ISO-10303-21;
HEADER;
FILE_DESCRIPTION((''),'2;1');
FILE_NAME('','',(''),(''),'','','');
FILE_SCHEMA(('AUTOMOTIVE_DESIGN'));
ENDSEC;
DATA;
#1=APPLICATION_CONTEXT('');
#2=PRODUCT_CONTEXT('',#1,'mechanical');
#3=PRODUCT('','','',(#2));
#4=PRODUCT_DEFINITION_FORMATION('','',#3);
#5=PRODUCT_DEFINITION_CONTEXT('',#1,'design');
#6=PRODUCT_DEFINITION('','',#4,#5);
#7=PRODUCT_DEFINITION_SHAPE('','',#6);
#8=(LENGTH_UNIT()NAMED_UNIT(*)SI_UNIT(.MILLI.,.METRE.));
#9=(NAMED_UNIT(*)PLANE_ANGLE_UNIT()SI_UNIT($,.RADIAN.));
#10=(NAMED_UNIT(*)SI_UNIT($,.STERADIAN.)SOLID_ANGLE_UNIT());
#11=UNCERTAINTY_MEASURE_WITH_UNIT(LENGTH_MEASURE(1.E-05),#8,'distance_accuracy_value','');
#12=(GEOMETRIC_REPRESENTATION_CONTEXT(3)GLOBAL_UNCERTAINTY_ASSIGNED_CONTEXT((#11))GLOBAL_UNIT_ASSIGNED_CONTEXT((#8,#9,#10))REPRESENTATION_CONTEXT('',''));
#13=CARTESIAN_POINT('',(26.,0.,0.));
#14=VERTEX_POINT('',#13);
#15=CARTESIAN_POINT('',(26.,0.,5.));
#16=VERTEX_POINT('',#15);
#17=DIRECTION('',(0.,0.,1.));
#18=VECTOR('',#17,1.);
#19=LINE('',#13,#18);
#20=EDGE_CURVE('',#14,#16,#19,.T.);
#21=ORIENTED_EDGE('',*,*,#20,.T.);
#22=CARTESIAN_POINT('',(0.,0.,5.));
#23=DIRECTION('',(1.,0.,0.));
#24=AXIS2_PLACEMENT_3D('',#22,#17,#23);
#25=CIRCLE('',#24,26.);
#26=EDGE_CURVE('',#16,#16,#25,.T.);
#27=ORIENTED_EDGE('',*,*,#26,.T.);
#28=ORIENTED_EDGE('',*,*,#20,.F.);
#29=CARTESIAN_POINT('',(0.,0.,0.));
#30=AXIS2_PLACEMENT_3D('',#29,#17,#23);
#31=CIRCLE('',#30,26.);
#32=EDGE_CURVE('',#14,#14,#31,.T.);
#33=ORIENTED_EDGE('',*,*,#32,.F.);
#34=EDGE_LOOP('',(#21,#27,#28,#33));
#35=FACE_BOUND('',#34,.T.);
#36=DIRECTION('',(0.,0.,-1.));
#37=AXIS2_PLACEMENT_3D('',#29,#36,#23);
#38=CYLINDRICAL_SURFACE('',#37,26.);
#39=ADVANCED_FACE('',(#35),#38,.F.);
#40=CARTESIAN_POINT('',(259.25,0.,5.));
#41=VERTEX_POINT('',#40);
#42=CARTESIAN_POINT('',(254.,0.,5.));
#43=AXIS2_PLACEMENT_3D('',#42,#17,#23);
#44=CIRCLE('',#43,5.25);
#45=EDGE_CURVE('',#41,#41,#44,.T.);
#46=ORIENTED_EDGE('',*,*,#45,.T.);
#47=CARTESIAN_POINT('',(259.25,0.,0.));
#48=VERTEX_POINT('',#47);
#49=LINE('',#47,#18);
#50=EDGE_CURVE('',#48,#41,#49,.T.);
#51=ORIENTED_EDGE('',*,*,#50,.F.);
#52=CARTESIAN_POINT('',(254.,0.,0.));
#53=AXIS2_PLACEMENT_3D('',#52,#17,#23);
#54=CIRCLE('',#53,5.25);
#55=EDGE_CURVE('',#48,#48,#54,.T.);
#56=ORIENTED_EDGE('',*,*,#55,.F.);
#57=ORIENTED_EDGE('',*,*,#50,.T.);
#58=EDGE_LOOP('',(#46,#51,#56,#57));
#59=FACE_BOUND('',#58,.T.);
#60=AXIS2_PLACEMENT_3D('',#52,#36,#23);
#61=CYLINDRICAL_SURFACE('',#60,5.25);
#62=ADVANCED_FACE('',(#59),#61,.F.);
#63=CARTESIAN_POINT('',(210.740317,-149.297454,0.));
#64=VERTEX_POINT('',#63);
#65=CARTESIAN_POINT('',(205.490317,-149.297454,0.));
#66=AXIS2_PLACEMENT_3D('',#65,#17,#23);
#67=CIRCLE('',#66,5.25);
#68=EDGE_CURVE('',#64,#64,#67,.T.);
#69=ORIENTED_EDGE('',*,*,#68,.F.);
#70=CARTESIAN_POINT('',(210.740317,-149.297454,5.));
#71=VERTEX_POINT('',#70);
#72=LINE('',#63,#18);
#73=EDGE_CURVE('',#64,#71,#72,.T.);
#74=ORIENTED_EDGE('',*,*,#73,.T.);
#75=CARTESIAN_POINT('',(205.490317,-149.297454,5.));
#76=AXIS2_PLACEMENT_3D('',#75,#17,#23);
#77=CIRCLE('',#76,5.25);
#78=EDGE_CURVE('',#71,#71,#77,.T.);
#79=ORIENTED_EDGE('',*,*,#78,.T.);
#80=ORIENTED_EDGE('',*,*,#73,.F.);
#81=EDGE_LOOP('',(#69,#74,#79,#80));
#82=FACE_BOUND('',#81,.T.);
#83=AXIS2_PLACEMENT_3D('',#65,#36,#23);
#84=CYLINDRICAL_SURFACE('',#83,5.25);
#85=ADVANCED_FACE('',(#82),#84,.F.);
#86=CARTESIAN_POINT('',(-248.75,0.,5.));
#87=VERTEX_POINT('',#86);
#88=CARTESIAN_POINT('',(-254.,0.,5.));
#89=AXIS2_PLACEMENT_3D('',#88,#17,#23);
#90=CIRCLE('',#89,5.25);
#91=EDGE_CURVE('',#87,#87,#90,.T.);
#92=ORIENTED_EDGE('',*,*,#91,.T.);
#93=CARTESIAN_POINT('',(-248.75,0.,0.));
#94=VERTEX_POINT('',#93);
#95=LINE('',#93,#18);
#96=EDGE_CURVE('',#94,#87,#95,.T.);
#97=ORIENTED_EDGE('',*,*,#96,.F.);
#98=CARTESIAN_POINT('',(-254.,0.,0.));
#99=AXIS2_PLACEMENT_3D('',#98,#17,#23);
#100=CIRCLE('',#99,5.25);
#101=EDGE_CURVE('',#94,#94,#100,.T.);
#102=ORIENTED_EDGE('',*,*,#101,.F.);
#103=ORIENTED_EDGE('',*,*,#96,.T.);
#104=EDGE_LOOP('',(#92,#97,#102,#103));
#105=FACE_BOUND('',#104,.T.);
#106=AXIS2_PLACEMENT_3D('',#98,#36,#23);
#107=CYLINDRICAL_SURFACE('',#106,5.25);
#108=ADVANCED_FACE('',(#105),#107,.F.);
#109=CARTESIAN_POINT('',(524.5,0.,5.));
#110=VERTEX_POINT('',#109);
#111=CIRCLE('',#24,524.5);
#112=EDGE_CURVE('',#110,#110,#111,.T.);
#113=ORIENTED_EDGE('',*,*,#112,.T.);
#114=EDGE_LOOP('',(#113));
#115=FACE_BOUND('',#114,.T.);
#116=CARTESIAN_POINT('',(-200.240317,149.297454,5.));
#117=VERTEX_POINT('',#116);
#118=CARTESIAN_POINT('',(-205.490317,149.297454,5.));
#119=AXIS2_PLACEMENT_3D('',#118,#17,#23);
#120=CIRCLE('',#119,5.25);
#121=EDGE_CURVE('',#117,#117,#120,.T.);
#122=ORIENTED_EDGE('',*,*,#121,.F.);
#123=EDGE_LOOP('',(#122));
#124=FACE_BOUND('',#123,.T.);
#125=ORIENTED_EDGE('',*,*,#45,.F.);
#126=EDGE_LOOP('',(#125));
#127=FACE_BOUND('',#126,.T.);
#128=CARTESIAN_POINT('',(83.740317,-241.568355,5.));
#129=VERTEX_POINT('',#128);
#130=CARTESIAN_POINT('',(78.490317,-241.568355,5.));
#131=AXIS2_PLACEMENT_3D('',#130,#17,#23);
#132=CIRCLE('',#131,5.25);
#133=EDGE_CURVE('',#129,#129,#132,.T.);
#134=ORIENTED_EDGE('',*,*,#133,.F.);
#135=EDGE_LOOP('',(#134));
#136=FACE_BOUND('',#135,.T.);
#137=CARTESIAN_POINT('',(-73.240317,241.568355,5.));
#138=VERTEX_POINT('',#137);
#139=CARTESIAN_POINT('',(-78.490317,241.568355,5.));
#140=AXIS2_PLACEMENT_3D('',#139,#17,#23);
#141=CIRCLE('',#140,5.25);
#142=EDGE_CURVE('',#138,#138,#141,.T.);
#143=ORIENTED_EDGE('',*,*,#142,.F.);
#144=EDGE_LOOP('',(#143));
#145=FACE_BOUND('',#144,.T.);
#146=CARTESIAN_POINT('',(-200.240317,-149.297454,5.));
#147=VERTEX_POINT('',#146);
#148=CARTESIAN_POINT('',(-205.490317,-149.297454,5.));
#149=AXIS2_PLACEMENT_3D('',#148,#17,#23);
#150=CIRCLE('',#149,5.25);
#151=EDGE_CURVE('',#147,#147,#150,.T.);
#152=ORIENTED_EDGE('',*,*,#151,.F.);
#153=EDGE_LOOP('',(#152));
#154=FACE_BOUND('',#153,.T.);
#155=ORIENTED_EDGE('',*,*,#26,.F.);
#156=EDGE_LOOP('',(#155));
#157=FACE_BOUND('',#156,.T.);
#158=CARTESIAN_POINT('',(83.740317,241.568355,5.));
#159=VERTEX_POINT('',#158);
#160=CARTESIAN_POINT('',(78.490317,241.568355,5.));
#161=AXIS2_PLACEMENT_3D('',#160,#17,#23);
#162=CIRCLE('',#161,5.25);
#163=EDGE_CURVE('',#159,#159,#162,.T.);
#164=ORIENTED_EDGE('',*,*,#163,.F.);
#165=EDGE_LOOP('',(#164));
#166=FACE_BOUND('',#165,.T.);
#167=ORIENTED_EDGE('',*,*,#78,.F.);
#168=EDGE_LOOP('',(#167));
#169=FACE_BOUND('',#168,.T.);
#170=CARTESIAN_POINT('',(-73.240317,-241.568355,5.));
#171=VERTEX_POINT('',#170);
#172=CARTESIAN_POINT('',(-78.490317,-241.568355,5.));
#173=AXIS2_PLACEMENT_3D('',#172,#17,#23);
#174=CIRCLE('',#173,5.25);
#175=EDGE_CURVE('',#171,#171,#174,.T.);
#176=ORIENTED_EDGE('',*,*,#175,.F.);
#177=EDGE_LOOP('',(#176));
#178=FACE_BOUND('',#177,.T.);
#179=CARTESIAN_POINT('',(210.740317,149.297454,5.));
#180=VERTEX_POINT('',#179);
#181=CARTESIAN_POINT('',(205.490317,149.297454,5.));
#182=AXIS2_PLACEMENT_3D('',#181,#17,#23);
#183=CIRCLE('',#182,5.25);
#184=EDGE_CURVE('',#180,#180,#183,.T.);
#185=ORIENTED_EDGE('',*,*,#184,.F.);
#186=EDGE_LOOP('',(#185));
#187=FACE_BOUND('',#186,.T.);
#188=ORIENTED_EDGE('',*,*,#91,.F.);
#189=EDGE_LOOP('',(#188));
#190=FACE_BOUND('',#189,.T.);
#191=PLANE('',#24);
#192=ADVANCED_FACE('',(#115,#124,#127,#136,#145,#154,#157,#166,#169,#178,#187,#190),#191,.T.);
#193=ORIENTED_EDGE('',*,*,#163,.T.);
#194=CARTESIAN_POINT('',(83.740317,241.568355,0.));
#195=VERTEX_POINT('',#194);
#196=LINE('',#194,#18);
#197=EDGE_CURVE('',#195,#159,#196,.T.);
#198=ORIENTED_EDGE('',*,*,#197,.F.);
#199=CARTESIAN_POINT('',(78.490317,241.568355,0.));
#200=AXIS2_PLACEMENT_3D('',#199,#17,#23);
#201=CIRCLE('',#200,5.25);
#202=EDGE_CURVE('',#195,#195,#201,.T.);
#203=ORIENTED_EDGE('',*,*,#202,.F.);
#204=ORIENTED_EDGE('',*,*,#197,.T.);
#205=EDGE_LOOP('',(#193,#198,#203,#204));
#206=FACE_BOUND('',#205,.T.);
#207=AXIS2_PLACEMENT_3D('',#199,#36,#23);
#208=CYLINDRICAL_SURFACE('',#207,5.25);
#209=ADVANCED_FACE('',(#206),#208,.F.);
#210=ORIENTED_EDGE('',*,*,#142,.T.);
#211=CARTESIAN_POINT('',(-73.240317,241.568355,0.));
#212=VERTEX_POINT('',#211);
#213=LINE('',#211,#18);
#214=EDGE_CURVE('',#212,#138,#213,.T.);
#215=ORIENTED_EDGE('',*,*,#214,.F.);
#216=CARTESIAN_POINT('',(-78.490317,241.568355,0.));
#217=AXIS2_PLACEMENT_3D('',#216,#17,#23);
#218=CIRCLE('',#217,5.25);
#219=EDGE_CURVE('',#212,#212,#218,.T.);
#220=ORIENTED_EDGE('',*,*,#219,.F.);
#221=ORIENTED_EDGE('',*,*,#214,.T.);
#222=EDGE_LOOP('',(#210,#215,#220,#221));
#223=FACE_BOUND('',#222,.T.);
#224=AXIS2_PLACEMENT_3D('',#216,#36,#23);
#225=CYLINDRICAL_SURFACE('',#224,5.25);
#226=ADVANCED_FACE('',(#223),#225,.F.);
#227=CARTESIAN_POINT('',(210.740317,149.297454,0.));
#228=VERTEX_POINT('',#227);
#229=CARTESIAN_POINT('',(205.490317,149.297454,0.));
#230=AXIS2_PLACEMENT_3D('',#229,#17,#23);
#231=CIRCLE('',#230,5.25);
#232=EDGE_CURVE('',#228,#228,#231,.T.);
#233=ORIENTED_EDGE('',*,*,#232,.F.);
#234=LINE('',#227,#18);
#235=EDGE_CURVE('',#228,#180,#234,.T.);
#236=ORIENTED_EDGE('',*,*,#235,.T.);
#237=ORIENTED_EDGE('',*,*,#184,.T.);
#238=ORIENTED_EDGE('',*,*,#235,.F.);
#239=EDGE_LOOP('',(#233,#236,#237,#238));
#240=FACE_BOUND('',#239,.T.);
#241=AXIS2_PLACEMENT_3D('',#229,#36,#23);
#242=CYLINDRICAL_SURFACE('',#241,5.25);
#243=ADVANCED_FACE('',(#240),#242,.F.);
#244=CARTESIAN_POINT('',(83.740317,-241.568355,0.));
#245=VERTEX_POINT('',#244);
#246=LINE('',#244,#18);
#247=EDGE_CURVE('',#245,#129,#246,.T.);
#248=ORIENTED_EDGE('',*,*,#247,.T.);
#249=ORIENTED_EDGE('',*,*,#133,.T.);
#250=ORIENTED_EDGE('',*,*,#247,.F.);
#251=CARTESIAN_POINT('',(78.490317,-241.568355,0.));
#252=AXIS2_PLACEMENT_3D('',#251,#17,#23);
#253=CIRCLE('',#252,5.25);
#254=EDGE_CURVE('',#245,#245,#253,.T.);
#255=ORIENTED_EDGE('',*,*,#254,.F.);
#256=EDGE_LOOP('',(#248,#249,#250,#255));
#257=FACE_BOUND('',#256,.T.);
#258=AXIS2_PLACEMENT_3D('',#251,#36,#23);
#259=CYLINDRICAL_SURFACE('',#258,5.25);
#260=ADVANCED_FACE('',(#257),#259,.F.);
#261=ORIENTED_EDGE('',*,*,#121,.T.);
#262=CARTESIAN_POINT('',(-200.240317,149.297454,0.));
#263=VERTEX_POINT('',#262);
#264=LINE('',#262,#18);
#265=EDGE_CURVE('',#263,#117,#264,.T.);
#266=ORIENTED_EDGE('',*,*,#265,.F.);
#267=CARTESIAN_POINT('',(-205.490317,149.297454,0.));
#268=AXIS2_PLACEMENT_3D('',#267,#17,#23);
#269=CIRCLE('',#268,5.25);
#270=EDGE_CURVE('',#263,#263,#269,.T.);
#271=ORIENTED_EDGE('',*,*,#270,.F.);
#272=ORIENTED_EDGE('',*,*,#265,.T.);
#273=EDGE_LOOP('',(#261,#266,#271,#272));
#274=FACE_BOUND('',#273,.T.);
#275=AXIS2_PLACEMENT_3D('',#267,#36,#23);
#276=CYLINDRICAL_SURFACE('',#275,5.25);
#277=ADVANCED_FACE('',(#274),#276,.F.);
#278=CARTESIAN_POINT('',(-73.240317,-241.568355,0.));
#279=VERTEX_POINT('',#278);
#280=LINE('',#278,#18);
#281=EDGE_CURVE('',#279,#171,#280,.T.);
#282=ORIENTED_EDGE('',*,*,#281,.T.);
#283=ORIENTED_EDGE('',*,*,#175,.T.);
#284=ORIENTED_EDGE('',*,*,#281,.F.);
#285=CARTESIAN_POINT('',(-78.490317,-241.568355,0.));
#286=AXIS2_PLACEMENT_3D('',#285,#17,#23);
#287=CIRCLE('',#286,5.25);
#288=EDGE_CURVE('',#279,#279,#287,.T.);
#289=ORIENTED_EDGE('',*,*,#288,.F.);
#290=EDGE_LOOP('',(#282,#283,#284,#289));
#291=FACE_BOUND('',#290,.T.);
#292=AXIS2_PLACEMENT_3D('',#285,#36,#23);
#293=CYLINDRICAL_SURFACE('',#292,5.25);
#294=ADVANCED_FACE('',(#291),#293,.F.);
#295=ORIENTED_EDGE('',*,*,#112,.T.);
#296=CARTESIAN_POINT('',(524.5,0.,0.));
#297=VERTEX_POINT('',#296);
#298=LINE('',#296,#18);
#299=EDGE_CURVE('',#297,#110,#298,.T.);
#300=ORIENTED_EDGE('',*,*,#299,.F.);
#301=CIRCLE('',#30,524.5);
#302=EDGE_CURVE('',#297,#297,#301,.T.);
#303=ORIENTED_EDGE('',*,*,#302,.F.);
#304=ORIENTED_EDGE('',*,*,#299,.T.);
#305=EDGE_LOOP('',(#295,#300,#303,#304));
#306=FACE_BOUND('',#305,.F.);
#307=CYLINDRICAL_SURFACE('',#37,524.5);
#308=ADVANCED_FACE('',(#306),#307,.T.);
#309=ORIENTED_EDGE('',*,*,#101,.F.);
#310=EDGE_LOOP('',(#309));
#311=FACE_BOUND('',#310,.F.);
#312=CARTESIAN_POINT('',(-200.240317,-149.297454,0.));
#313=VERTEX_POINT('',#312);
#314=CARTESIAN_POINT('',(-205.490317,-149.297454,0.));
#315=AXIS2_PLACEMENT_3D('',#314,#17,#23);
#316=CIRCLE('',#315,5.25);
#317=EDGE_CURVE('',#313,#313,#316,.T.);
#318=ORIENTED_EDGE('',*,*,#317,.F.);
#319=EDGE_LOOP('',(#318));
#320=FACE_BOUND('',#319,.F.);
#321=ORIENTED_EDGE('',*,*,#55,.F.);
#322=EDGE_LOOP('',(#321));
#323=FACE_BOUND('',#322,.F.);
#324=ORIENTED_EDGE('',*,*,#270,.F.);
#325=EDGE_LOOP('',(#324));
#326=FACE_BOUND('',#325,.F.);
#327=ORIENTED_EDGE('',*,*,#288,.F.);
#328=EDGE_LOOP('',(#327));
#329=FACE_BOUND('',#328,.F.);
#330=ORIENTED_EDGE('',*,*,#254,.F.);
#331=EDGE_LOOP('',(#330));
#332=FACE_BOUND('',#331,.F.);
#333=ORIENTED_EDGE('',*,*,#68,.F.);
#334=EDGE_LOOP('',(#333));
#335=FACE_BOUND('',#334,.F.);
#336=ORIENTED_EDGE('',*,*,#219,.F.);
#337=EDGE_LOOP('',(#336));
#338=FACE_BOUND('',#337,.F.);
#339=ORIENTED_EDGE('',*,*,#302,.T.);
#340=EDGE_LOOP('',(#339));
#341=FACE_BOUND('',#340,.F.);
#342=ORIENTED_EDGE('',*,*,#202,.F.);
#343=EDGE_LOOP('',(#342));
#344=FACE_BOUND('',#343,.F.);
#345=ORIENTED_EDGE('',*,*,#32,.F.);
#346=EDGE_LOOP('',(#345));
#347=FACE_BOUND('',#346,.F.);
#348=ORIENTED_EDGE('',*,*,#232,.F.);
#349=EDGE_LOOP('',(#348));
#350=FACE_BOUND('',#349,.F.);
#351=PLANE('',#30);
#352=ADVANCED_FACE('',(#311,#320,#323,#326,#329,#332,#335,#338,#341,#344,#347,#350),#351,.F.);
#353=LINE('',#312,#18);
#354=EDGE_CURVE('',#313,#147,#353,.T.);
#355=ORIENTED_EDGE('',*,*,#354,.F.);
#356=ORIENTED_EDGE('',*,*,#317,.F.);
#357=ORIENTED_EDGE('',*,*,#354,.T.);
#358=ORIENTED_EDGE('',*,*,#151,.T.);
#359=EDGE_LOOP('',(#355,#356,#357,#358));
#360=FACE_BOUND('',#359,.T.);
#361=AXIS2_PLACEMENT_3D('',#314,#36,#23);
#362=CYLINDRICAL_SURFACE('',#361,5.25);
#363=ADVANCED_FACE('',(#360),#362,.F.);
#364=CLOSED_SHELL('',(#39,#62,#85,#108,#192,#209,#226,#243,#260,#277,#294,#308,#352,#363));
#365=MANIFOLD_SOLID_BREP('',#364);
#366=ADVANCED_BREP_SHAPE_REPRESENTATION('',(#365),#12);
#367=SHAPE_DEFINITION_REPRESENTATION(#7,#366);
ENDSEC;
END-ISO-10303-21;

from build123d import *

# Parameters (mm, degrees)
F0_R     = 524.5
F0_R_2   = 5.25
F0_R_3   = 26
F1_DEPTH = 5


with BuildPart() as f1:
    # F0 (on Top) → F1 (new body)
    with BuildSketch(Plane.XY):
        Circle(F0_R)
        with Locations((-205.490317, -149.297454)):
            Circle(F0_R_2, mode=Mode.SUBTRACT)
        with Locations((-78.490317, -241.568355)):
            Circle(F0_R_2, mode=Mode.SUBTRACT)
        with Locations((78.490317, -241.568355)):
            Circle(F0_R_2, mode=Mode.SUBTRACT)
        with Locations((205.490317, -149.297454)):
            Circle(F0_R_2, mode=Mode.SUBTRACT)
        with Locations((-254, 0)):
            Circle(F0_R_2, mode=Mode.SUBTRACT)
        with Locations((-205.490317, 149.297454)):
            Circle(F0_R_2, mode=Mode.SUBTRACT)
        with Locations((-78.490317, 241.568355)):
            Circle(F0_R_2, mode=Mode.SUBTRACT)
        Circle(F0_R_3, mode=Mode.SUBTRACT)
        with Locations((254, 0)):
            Circle(F0_R_2, mode=Mode.SUBTRACT)
        with Locations((78.490317, 241.568355)):
            Circle(F0_R_2, mode=Mode.SUBTRACT)
        with Locations((205.490317, 149.297454)):
            Circle(F0_R_2, mode=Mode.SUBTRACT)
    extrude(amount=F1_DEPTH)


solid = f1.part
